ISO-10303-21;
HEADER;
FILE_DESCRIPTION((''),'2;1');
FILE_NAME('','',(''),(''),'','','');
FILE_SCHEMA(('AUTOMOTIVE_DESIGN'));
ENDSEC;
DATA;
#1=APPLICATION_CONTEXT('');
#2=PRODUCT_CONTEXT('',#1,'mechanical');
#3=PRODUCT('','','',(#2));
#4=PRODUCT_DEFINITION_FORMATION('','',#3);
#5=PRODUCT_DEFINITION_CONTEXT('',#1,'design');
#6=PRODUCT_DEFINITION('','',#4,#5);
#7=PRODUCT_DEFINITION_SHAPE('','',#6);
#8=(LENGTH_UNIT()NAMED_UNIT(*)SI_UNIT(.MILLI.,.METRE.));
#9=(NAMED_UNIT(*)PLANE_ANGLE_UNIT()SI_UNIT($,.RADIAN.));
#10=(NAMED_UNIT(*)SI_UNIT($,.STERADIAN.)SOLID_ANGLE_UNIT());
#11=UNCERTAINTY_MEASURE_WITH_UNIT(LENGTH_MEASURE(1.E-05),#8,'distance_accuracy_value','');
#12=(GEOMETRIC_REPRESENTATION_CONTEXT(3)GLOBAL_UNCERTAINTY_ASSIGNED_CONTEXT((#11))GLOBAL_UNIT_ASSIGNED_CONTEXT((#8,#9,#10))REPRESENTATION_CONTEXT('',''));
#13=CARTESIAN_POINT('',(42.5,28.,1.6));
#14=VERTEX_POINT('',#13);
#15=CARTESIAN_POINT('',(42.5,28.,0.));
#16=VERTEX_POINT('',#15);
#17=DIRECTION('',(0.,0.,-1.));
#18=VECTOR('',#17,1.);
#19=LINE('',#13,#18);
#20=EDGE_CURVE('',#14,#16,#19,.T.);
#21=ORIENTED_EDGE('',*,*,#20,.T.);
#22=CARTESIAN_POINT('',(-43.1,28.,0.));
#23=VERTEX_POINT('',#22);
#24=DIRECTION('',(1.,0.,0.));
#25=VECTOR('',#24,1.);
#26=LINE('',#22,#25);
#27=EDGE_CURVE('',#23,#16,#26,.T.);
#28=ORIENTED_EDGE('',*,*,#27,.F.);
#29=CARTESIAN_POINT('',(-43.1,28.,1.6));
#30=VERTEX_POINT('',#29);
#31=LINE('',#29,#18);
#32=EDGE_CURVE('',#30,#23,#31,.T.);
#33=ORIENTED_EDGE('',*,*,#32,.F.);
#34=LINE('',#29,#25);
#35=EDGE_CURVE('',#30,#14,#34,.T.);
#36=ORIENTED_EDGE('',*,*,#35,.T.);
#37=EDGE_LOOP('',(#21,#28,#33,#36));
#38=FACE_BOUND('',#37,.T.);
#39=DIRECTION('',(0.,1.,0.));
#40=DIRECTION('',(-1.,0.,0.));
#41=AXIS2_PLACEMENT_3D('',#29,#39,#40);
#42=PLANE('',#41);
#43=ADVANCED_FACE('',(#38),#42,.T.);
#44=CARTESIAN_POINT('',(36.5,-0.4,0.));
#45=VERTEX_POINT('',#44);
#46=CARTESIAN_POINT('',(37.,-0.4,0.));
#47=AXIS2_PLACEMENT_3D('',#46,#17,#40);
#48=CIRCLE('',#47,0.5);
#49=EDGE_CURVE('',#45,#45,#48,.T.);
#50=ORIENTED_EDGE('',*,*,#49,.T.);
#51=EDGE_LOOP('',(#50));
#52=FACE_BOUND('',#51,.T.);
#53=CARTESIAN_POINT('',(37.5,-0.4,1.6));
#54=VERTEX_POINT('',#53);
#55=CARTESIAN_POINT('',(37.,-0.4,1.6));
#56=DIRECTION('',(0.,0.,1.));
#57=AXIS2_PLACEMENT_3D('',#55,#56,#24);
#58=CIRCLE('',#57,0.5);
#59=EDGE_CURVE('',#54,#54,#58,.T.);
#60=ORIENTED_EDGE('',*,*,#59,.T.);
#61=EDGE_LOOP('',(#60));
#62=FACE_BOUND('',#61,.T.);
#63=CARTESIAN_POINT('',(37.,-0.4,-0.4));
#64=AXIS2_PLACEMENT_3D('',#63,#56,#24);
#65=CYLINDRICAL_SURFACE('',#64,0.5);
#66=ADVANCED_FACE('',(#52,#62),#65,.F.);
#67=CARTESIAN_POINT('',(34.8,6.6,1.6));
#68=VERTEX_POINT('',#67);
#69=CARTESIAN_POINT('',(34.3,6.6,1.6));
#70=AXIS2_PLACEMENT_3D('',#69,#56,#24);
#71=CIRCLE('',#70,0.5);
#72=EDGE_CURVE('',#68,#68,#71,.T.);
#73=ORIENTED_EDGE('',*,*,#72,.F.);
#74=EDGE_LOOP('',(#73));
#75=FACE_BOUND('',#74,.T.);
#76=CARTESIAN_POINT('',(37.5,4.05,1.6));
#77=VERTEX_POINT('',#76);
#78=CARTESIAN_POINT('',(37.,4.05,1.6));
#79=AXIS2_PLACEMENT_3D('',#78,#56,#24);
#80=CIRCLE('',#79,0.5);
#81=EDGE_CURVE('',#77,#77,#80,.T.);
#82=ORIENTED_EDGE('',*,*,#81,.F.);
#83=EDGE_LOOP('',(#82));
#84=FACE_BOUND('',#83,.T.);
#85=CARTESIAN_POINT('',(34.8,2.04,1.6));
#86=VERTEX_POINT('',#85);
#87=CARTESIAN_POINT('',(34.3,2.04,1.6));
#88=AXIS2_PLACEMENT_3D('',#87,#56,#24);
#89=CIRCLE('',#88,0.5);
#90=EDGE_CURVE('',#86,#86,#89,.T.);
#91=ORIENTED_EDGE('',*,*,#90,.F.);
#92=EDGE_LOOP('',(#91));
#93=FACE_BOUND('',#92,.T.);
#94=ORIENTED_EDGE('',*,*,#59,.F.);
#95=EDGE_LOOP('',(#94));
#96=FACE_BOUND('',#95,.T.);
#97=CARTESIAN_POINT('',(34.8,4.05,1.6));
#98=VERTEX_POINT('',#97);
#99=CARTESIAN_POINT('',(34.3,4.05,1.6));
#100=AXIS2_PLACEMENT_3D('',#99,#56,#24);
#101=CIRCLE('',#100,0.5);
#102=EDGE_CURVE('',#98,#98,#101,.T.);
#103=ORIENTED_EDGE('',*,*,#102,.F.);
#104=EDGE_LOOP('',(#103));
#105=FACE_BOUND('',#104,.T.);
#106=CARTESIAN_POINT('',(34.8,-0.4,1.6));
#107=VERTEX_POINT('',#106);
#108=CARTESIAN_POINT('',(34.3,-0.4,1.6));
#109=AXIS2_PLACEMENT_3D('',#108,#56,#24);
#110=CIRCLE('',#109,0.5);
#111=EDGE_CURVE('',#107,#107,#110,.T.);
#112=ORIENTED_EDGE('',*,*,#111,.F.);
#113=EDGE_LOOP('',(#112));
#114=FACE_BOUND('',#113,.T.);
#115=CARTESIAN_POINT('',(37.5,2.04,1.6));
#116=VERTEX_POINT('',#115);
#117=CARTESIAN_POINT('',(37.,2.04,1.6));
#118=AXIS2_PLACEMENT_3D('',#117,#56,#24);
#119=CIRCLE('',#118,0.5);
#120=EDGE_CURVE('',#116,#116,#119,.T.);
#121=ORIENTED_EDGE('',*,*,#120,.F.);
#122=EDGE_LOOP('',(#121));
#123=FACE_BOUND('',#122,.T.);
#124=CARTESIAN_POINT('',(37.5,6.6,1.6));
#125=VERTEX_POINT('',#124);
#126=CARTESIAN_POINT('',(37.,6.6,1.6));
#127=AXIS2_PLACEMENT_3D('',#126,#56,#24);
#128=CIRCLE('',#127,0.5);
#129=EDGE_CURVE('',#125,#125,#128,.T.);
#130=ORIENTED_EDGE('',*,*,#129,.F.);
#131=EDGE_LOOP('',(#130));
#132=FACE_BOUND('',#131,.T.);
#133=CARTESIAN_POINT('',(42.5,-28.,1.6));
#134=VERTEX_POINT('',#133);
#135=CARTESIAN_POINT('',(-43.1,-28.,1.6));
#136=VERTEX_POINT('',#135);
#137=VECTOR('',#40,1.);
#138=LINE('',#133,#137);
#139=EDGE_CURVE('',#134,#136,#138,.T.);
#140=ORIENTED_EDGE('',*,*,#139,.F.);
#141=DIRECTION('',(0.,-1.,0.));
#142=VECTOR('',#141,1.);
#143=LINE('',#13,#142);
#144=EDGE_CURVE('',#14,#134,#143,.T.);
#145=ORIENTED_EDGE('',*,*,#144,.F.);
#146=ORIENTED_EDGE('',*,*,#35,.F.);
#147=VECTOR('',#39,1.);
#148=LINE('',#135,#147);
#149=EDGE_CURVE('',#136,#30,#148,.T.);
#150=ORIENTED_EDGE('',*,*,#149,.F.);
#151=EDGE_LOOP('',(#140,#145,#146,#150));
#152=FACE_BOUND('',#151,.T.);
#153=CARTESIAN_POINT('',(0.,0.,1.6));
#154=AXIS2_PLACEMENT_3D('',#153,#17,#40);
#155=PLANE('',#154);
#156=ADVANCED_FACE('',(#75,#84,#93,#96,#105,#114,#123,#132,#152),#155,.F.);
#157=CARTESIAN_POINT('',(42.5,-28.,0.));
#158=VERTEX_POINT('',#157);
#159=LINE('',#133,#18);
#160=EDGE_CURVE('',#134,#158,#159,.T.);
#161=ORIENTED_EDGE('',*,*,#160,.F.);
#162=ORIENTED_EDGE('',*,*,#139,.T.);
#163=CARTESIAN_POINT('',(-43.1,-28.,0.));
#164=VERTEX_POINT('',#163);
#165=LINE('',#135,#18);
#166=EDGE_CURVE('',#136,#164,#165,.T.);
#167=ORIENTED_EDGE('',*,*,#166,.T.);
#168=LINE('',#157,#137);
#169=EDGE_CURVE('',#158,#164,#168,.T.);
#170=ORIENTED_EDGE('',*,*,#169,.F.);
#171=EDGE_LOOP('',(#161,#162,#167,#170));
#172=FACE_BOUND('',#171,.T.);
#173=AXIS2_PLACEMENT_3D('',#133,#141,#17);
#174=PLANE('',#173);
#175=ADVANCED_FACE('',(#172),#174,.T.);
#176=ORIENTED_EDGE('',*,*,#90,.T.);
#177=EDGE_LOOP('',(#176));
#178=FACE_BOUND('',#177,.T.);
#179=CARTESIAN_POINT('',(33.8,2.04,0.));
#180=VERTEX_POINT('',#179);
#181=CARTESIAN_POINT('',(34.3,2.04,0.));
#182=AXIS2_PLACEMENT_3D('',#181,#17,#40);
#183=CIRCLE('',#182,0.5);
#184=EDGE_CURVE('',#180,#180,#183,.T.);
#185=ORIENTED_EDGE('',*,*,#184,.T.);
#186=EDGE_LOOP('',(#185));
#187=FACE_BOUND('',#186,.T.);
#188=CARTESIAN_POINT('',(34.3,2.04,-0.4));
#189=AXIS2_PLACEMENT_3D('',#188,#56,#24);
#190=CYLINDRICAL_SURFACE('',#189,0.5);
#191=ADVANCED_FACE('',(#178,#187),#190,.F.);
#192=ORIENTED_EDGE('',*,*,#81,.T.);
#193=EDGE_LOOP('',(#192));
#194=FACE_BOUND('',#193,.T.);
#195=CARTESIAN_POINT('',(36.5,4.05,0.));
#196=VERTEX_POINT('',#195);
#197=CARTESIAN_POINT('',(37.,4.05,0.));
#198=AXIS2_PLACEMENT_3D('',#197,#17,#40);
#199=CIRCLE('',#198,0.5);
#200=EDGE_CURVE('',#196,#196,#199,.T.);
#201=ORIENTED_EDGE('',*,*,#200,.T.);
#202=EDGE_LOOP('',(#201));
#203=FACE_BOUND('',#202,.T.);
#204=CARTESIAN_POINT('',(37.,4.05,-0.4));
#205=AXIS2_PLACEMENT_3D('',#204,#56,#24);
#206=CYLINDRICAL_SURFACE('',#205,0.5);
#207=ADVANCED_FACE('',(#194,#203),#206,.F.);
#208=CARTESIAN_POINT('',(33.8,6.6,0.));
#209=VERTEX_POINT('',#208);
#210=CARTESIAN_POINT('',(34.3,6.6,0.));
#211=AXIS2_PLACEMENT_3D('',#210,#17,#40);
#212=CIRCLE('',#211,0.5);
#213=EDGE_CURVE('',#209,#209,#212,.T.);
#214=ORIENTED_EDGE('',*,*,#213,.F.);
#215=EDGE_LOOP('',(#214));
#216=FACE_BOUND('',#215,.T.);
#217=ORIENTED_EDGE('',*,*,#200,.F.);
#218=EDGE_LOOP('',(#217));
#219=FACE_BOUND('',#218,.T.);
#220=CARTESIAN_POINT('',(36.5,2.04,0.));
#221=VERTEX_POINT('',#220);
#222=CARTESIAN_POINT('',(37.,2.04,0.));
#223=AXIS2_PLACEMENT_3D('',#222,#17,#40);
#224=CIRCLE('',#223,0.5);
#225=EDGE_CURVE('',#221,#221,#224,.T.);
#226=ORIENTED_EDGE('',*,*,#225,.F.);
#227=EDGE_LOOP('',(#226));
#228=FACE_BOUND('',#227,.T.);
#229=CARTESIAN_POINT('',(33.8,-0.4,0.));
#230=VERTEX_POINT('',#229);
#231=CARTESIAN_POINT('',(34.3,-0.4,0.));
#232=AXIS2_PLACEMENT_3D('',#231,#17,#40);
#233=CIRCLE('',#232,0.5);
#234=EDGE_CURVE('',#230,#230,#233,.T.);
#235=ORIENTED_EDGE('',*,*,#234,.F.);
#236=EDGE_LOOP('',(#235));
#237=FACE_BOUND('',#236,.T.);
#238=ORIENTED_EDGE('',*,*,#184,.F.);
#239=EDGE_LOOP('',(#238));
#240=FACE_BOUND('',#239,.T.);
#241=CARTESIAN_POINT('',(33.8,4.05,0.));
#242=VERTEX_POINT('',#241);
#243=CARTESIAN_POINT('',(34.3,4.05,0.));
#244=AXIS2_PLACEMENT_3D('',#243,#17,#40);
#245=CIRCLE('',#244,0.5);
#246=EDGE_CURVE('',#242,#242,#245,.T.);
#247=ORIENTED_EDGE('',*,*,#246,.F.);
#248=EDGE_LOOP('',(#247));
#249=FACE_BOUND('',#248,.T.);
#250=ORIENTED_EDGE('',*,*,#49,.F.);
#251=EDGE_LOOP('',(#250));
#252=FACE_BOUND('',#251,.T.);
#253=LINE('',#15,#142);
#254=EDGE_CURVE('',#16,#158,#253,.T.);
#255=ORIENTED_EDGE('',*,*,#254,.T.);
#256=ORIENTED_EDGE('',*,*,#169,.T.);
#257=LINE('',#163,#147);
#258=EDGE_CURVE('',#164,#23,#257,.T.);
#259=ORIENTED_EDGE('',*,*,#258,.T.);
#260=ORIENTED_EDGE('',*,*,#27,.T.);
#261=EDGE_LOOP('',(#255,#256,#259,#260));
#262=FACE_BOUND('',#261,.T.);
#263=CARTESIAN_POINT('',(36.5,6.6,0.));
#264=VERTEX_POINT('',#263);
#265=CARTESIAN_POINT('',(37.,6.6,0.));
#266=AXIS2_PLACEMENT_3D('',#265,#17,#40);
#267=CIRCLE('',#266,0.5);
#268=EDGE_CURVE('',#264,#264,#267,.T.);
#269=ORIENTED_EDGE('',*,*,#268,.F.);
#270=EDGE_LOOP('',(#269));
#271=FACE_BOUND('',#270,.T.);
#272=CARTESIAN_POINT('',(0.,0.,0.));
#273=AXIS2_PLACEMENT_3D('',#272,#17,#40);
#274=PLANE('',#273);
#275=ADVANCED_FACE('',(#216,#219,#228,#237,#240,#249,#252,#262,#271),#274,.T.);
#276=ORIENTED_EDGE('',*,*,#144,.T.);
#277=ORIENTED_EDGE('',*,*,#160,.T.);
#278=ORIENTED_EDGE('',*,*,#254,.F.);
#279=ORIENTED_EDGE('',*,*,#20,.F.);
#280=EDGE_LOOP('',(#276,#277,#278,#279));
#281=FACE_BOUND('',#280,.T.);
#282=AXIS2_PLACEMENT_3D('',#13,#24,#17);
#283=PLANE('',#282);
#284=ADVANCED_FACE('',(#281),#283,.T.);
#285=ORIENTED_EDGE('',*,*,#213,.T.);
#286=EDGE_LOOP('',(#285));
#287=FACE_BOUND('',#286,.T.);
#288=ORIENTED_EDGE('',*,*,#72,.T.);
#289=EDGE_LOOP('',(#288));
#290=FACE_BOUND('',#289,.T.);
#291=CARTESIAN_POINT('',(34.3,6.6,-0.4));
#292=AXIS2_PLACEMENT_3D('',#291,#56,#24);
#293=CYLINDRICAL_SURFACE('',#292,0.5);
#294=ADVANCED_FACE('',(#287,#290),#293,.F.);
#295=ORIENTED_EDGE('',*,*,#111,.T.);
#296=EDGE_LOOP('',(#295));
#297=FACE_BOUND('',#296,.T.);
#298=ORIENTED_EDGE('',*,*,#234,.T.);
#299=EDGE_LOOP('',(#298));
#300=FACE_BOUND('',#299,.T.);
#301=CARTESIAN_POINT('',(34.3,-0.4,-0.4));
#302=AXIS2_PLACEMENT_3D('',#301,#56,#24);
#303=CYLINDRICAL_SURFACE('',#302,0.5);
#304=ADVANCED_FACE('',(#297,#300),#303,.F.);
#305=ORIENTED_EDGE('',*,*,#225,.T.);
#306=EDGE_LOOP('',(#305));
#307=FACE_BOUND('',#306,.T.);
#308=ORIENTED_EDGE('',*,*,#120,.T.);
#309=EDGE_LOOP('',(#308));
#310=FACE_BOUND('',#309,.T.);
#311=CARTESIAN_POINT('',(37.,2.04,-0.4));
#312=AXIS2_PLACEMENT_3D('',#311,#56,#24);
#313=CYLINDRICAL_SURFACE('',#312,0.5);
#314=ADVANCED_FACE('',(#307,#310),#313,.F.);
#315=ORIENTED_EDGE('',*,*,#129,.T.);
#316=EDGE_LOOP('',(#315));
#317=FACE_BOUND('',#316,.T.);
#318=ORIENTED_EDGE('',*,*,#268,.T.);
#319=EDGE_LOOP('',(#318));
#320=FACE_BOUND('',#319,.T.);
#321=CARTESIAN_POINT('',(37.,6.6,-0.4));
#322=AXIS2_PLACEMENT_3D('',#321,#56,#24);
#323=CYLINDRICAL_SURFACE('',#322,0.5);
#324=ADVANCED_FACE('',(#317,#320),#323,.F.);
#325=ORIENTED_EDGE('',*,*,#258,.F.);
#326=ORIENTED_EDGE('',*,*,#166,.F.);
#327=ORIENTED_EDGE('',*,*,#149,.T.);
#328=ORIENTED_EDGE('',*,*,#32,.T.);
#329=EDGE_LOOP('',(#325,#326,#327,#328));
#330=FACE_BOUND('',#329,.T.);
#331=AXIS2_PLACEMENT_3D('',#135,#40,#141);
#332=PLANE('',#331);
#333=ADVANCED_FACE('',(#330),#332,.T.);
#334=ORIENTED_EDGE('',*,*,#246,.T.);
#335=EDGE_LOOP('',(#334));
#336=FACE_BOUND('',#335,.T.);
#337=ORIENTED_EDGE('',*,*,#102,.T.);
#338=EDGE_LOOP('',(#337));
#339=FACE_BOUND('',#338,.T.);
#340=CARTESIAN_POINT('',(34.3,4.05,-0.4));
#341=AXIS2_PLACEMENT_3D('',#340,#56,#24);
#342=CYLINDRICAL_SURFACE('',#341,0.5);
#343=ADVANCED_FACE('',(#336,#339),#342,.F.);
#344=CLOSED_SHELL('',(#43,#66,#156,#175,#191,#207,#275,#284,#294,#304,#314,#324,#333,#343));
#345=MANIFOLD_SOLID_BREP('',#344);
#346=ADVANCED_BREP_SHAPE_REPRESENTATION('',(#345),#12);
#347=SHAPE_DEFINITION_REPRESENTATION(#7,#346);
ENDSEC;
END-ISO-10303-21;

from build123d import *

# Parameters (mm, degrees)
ESBO_O1_W                = 85.6
ESBO_O1_H                = 56
RESSALTO_EXTRUS_O1_DEPTH = 1.6
ESBO_O2_R                = 0.5
CORTE_EXTRUS_O1_DEPTH    = 2


with BuildPart() as part:
    # Esboço1 → Ressalto-extrusão1 (new body)
    with BuildSketch(Plane(origin=(0, 0, 0), x_dir=(-1, 0, 0), z_dir=(0, 0, -1))):
        with Locations((0.3, 0)):
            Rectangle(ESBO_O1_W, ESBO_O1_H)
    extrude(amount=-RESSALTO_EXTRUS_O1_DEPTH)

    # Esboço2 → Corte-extrusão1 (cut)
    with BuildSketch(Plane.XY.offset(1.6)):
        with Locations((37, 6.6)):
            Circle(ESBO_O2_R)
        with Locations((34.3, 6.6)):
            Circle(ESBO_O2_R)
        with Locations((34.3, 4.05)):
            Circle(ESBO_O2_R)
        with Locations((34.3, 2.04)):
            Circle(ESBO_O2_R)
        with Locations((34.3, -0.4)):
            Circle(ESBO_O2_R)
        with Locations((37, 4.05)):
            Circle(ESBO_O2_R)
        with Locations((37, 2.04)):
            Circle(ESBO_O2_R)
        with Locations((37, -0.4)):
            Circle(ESBO_O2_R)
    extrude(amount=-CORTE_EXTRUS_O1_DEPTH, mode=Mode.SUBTRACT)


solid = part.part
